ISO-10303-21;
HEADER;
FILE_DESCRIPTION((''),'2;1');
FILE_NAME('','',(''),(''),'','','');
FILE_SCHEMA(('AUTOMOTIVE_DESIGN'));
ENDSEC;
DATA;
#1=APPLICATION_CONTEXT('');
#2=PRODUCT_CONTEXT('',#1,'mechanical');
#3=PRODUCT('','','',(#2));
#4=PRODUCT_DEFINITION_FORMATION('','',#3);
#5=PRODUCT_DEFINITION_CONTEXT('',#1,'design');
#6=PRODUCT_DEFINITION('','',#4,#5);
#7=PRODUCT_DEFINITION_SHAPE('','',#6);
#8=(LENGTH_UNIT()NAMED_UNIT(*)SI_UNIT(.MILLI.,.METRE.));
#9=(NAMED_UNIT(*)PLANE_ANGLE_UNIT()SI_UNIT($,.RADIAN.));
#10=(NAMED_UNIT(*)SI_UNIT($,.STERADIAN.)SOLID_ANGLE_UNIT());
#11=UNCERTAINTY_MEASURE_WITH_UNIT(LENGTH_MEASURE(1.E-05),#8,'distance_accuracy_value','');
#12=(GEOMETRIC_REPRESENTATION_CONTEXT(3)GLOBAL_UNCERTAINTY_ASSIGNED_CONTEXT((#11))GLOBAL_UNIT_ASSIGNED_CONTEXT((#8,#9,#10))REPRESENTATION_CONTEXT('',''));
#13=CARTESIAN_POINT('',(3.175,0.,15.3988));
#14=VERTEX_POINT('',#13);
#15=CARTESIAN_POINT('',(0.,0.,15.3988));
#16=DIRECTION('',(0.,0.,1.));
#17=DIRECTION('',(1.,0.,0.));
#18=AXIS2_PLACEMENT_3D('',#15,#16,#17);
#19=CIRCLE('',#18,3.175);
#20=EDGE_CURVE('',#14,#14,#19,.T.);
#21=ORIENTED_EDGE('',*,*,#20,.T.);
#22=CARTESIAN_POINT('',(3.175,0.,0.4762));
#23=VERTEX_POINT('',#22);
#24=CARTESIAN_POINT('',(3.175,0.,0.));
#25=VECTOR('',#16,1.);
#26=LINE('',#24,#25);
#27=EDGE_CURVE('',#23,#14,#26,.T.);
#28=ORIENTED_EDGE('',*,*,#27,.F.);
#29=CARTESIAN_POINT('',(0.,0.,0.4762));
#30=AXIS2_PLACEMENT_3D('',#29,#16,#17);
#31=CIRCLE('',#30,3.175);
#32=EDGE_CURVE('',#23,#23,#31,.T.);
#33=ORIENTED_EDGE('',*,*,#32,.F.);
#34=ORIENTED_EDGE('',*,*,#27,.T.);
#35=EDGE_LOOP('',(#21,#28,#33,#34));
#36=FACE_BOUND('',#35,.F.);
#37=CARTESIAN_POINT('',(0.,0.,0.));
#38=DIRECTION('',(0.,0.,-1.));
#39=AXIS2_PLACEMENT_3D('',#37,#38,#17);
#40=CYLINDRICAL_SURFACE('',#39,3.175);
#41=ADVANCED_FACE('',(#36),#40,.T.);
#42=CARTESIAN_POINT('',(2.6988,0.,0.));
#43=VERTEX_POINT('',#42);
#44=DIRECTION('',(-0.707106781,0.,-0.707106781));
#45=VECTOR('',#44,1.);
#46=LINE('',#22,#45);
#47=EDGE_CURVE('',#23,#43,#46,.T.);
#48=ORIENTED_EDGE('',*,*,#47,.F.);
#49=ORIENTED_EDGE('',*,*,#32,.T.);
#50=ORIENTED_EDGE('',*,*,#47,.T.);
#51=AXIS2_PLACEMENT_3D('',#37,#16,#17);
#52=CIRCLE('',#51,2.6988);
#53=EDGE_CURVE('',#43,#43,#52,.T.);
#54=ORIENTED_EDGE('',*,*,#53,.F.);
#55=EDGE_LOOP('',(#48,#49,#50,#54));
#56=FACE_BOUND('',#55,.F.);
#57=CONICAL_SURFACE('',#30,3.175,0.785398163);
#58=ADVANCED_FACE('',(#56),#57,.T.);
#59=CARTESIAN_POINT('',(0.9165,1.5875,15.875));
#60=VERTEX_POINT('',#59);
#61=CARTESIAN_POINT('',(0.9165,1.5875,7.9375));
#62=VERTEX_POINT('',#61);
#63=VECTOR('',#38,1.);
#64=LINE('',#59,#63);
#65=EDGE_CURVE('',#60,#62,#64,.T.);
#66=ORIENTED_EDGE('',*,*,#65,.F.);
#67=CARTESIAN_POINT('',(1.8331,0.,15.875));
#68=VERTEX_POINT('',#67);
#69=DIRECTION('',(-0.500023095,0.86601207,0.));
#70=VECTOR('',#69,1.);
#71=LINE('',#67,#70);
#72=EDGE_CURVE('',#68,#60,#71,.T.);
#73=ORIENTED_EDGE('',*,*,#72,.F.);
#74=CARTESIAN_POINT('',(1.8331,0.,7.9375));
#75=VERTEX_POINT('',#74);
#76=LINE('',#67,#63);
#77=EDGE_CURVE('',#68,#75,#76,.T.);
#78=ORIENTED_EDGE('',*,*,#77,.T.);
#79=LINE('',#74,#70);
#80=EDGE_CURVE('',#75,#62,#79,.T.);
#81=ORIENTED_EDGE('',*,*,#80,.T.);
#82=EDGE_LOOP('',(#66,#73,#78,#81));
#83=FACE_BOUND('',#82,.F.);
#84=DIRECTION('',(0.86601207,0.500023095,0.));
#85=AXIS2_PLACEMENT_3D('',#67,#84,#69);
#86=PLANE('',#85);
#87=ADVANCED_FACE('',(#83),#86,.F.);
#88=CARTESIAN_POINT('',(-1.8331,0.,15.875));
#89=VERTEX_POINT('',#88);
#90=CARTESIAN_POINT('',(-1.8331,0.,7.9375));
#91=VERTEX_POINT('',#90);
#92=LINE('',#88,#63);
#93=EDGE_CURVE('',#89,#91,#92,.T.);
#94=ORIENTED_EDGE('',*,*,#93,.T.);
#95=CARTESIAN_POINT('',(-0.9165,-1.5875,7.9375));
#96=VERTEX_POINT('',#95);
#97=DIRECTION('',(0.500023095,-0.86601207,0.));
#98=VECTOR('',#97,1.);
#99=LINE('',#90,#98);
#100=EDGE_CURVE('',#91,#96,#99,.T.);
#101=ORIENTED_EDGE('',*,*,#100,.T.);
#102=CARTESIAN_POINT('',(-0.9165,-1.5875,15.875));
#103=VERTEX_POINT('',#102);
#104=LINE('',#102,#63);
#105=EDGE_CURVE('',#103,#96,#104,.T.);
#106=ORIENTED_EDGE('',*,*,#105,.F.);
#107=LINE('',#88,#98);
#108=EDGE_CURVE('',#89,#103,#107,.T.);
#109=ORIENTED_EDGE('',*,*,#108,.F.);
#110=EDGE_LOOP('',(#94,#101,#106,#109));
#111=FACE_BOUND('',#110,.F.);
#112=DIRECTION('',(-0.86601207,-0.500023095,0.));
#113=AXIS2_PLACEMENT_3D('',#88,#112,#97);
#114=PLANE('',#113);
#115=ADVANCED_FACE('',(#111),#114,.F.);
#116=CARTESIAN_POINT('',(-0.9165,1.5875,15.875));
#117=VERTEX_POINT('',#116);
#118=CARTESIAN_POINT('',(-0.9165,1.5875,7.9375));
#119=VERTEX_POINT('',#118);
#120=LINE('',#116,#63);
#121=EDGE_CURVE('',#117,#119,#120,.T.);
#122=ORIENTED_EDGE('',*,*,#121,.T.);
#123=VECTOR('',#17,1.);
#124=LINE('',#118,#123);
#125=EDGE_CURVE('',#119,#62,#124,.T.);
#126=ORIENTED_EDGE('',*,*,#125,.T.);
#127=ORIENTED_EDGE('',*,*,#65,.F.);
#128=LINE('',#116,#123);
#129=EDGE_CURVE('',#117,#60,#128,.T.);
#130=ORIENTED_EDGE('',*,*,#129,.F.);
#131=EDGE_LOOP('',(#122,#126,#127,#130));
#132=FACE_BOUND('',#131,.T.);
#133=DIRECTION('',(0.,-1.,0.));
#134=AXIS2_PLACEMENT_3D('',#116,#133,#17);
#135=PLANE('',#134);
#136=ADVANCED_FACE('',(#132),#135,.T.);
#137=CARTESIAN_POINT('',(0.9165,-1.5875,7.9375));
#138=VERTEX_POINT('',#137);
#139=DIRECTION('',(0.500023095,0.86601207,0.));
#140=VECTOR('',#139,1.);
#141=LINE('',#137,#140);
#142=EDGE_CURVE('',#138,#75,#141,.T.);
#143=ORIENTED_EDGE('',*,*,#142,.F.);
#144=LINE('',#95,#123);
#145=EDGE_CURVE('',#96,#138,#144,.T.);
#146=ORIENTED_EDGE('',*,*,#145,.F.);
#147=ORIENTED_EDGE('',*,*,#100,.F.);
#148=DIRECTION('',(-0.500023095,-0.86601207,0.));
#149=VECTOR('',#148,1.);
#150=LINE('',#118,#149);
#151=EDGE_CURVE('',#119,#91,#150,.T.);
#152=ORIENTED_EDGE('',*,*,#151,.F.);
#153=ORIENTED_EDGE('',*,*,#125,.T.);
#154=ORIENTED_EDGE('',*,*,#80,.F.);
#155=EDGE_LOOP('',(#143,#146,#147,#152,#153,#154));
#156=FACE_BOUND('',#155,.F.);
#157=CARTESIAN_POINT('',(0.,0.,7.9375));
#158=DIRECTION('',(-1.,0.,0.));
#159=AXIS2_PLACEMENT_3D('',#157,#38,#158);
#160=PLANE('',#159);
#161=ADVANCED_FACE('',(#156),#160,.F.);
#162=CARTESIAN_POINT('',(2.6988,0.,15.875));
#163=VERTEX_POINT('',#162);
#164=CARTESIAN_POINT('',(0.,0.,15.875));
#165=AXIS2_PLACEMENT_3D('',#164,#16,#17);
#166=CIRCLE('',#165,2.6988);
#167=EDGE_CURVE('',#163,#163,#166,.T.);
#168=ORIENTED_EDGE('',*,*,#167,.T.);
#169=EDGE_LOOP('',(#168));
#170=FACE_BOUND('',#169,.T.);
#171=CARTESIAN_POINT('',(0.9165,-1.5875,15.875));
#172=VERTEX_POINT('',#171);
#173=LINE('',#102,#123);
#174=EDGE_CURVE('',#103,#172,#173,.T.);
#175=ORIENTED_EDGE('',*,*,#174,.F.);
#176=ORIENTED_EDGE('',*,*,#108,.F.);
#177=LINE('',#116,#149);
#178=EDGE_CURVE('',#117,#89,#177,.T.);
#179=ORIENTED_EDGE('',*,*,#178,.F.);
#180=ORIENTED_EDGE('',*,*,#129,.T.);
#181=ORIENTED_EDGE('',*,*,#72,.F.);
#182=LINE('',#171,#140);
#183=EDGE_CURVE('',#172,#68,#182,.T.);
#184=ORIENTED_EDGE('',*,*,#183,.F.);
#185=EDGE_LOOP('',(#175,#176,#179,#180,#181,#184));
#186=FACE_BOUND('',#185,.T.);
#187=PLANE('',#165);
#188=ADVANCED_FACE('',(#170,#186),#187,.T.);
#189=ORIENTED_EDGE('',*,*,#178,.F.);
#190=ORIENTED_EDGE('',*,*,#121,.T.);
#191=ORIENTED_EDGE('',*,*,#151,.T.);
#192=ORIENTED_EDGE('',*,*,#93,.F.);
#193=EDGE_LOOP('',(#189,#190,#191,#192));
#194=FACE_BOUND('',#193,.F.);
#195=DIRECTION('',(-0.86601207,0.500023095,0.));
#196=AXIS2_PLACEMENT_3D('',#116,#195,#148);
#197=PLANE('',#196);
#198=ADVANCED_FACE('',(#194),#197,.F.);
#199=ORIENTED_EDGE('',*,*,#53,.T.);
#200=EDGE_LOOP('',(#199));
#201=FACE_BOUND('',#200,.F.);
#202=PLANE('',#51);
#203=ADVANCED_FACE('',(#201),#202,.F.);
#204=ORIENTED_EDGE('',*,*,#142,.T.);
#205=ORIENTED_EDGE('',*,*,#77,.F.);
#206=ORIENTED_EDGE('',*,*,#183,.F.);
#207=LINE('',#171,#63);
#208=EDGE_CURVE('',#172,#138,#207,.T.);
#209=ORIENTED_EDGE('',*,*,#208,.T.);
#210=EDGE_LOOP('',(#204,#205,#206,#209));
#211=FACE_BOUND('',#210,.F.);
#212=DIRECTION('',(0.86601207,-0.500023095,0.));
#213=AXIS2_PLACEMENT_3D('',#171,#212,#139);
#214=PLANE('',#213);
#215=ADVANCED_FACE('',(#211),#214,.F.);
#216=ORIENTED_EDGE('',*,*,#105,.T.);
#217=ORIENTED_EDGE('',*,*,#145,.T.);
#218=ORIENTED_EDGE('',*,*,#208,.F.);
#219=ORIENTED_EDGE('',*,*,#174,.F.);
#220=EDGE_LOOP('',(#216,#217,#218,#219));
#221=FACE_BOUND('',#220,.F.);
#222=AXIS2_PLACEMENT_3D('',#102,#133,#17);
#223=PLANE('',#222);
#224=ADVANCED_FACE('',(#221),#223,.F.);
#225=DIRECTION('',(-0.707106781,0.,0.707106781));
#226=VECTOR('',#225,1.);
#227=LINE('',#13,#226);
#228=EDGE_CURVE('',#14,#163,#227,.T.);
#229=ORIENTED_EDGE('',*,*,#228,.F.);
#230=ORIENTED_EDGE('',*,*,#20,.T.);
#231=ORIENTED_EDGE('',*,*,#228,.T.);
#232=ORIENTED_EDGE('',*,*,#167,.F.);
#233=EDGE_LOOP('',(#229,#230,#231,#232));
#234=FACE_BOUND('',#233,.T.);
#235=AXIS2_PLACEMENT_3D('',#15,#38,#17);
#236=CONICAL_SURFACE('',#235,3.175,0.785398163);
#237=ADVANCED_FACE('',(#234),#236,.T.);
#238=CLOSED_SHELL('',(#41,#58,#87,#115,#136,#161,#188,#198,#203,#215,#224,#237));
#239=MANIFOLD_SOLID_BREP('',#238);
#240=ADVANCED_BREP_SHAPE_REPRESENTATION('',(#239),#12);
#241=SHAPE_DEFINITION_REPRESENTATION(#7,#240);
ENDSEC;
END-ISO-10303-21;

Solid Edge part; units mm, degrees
sketch "Sketch1" plane through (0, 0, 0) normal (0, 0, 1) x (1, 0, 0)
  circle A0 centre (0, 0) radius 3.175
  dimension "D1" = 6.35
extrude "Protrusion1" add sketch "Sketch1" along normal blind 15.875
chamfer "Chamfer1" distance 0.4762 angle 45 2 edges at (-3.175, 0, 0) (-3.175, 0, 15.875)
sketch "Sketch2" plane through (0, 0, 15.875) normal (0, 0, 1) x (1, 0, 0)
  line L0 (-0.9165, 1.5875) -> (0.9165, 1.5875)
  line L1 (1.8331, 0) -> (0.9165, 1.5875)
  line L2 (0.9165, -1.5875) -> (1.8331, 0)
  line L3 (-0.9165, -1.5875) -> (0.9165, -1.5875)
  line L4 (-1.8331, 0) -> (-0.9165, -1.5875)
  line L5 (-0.9165, 1.5875) -> (-1.8331, 0)
  dimension "D1" = 3.175
extrude "Cutout1" cut sketch "Sketch2" against normal blind 7.9375
properties part number "216341"
